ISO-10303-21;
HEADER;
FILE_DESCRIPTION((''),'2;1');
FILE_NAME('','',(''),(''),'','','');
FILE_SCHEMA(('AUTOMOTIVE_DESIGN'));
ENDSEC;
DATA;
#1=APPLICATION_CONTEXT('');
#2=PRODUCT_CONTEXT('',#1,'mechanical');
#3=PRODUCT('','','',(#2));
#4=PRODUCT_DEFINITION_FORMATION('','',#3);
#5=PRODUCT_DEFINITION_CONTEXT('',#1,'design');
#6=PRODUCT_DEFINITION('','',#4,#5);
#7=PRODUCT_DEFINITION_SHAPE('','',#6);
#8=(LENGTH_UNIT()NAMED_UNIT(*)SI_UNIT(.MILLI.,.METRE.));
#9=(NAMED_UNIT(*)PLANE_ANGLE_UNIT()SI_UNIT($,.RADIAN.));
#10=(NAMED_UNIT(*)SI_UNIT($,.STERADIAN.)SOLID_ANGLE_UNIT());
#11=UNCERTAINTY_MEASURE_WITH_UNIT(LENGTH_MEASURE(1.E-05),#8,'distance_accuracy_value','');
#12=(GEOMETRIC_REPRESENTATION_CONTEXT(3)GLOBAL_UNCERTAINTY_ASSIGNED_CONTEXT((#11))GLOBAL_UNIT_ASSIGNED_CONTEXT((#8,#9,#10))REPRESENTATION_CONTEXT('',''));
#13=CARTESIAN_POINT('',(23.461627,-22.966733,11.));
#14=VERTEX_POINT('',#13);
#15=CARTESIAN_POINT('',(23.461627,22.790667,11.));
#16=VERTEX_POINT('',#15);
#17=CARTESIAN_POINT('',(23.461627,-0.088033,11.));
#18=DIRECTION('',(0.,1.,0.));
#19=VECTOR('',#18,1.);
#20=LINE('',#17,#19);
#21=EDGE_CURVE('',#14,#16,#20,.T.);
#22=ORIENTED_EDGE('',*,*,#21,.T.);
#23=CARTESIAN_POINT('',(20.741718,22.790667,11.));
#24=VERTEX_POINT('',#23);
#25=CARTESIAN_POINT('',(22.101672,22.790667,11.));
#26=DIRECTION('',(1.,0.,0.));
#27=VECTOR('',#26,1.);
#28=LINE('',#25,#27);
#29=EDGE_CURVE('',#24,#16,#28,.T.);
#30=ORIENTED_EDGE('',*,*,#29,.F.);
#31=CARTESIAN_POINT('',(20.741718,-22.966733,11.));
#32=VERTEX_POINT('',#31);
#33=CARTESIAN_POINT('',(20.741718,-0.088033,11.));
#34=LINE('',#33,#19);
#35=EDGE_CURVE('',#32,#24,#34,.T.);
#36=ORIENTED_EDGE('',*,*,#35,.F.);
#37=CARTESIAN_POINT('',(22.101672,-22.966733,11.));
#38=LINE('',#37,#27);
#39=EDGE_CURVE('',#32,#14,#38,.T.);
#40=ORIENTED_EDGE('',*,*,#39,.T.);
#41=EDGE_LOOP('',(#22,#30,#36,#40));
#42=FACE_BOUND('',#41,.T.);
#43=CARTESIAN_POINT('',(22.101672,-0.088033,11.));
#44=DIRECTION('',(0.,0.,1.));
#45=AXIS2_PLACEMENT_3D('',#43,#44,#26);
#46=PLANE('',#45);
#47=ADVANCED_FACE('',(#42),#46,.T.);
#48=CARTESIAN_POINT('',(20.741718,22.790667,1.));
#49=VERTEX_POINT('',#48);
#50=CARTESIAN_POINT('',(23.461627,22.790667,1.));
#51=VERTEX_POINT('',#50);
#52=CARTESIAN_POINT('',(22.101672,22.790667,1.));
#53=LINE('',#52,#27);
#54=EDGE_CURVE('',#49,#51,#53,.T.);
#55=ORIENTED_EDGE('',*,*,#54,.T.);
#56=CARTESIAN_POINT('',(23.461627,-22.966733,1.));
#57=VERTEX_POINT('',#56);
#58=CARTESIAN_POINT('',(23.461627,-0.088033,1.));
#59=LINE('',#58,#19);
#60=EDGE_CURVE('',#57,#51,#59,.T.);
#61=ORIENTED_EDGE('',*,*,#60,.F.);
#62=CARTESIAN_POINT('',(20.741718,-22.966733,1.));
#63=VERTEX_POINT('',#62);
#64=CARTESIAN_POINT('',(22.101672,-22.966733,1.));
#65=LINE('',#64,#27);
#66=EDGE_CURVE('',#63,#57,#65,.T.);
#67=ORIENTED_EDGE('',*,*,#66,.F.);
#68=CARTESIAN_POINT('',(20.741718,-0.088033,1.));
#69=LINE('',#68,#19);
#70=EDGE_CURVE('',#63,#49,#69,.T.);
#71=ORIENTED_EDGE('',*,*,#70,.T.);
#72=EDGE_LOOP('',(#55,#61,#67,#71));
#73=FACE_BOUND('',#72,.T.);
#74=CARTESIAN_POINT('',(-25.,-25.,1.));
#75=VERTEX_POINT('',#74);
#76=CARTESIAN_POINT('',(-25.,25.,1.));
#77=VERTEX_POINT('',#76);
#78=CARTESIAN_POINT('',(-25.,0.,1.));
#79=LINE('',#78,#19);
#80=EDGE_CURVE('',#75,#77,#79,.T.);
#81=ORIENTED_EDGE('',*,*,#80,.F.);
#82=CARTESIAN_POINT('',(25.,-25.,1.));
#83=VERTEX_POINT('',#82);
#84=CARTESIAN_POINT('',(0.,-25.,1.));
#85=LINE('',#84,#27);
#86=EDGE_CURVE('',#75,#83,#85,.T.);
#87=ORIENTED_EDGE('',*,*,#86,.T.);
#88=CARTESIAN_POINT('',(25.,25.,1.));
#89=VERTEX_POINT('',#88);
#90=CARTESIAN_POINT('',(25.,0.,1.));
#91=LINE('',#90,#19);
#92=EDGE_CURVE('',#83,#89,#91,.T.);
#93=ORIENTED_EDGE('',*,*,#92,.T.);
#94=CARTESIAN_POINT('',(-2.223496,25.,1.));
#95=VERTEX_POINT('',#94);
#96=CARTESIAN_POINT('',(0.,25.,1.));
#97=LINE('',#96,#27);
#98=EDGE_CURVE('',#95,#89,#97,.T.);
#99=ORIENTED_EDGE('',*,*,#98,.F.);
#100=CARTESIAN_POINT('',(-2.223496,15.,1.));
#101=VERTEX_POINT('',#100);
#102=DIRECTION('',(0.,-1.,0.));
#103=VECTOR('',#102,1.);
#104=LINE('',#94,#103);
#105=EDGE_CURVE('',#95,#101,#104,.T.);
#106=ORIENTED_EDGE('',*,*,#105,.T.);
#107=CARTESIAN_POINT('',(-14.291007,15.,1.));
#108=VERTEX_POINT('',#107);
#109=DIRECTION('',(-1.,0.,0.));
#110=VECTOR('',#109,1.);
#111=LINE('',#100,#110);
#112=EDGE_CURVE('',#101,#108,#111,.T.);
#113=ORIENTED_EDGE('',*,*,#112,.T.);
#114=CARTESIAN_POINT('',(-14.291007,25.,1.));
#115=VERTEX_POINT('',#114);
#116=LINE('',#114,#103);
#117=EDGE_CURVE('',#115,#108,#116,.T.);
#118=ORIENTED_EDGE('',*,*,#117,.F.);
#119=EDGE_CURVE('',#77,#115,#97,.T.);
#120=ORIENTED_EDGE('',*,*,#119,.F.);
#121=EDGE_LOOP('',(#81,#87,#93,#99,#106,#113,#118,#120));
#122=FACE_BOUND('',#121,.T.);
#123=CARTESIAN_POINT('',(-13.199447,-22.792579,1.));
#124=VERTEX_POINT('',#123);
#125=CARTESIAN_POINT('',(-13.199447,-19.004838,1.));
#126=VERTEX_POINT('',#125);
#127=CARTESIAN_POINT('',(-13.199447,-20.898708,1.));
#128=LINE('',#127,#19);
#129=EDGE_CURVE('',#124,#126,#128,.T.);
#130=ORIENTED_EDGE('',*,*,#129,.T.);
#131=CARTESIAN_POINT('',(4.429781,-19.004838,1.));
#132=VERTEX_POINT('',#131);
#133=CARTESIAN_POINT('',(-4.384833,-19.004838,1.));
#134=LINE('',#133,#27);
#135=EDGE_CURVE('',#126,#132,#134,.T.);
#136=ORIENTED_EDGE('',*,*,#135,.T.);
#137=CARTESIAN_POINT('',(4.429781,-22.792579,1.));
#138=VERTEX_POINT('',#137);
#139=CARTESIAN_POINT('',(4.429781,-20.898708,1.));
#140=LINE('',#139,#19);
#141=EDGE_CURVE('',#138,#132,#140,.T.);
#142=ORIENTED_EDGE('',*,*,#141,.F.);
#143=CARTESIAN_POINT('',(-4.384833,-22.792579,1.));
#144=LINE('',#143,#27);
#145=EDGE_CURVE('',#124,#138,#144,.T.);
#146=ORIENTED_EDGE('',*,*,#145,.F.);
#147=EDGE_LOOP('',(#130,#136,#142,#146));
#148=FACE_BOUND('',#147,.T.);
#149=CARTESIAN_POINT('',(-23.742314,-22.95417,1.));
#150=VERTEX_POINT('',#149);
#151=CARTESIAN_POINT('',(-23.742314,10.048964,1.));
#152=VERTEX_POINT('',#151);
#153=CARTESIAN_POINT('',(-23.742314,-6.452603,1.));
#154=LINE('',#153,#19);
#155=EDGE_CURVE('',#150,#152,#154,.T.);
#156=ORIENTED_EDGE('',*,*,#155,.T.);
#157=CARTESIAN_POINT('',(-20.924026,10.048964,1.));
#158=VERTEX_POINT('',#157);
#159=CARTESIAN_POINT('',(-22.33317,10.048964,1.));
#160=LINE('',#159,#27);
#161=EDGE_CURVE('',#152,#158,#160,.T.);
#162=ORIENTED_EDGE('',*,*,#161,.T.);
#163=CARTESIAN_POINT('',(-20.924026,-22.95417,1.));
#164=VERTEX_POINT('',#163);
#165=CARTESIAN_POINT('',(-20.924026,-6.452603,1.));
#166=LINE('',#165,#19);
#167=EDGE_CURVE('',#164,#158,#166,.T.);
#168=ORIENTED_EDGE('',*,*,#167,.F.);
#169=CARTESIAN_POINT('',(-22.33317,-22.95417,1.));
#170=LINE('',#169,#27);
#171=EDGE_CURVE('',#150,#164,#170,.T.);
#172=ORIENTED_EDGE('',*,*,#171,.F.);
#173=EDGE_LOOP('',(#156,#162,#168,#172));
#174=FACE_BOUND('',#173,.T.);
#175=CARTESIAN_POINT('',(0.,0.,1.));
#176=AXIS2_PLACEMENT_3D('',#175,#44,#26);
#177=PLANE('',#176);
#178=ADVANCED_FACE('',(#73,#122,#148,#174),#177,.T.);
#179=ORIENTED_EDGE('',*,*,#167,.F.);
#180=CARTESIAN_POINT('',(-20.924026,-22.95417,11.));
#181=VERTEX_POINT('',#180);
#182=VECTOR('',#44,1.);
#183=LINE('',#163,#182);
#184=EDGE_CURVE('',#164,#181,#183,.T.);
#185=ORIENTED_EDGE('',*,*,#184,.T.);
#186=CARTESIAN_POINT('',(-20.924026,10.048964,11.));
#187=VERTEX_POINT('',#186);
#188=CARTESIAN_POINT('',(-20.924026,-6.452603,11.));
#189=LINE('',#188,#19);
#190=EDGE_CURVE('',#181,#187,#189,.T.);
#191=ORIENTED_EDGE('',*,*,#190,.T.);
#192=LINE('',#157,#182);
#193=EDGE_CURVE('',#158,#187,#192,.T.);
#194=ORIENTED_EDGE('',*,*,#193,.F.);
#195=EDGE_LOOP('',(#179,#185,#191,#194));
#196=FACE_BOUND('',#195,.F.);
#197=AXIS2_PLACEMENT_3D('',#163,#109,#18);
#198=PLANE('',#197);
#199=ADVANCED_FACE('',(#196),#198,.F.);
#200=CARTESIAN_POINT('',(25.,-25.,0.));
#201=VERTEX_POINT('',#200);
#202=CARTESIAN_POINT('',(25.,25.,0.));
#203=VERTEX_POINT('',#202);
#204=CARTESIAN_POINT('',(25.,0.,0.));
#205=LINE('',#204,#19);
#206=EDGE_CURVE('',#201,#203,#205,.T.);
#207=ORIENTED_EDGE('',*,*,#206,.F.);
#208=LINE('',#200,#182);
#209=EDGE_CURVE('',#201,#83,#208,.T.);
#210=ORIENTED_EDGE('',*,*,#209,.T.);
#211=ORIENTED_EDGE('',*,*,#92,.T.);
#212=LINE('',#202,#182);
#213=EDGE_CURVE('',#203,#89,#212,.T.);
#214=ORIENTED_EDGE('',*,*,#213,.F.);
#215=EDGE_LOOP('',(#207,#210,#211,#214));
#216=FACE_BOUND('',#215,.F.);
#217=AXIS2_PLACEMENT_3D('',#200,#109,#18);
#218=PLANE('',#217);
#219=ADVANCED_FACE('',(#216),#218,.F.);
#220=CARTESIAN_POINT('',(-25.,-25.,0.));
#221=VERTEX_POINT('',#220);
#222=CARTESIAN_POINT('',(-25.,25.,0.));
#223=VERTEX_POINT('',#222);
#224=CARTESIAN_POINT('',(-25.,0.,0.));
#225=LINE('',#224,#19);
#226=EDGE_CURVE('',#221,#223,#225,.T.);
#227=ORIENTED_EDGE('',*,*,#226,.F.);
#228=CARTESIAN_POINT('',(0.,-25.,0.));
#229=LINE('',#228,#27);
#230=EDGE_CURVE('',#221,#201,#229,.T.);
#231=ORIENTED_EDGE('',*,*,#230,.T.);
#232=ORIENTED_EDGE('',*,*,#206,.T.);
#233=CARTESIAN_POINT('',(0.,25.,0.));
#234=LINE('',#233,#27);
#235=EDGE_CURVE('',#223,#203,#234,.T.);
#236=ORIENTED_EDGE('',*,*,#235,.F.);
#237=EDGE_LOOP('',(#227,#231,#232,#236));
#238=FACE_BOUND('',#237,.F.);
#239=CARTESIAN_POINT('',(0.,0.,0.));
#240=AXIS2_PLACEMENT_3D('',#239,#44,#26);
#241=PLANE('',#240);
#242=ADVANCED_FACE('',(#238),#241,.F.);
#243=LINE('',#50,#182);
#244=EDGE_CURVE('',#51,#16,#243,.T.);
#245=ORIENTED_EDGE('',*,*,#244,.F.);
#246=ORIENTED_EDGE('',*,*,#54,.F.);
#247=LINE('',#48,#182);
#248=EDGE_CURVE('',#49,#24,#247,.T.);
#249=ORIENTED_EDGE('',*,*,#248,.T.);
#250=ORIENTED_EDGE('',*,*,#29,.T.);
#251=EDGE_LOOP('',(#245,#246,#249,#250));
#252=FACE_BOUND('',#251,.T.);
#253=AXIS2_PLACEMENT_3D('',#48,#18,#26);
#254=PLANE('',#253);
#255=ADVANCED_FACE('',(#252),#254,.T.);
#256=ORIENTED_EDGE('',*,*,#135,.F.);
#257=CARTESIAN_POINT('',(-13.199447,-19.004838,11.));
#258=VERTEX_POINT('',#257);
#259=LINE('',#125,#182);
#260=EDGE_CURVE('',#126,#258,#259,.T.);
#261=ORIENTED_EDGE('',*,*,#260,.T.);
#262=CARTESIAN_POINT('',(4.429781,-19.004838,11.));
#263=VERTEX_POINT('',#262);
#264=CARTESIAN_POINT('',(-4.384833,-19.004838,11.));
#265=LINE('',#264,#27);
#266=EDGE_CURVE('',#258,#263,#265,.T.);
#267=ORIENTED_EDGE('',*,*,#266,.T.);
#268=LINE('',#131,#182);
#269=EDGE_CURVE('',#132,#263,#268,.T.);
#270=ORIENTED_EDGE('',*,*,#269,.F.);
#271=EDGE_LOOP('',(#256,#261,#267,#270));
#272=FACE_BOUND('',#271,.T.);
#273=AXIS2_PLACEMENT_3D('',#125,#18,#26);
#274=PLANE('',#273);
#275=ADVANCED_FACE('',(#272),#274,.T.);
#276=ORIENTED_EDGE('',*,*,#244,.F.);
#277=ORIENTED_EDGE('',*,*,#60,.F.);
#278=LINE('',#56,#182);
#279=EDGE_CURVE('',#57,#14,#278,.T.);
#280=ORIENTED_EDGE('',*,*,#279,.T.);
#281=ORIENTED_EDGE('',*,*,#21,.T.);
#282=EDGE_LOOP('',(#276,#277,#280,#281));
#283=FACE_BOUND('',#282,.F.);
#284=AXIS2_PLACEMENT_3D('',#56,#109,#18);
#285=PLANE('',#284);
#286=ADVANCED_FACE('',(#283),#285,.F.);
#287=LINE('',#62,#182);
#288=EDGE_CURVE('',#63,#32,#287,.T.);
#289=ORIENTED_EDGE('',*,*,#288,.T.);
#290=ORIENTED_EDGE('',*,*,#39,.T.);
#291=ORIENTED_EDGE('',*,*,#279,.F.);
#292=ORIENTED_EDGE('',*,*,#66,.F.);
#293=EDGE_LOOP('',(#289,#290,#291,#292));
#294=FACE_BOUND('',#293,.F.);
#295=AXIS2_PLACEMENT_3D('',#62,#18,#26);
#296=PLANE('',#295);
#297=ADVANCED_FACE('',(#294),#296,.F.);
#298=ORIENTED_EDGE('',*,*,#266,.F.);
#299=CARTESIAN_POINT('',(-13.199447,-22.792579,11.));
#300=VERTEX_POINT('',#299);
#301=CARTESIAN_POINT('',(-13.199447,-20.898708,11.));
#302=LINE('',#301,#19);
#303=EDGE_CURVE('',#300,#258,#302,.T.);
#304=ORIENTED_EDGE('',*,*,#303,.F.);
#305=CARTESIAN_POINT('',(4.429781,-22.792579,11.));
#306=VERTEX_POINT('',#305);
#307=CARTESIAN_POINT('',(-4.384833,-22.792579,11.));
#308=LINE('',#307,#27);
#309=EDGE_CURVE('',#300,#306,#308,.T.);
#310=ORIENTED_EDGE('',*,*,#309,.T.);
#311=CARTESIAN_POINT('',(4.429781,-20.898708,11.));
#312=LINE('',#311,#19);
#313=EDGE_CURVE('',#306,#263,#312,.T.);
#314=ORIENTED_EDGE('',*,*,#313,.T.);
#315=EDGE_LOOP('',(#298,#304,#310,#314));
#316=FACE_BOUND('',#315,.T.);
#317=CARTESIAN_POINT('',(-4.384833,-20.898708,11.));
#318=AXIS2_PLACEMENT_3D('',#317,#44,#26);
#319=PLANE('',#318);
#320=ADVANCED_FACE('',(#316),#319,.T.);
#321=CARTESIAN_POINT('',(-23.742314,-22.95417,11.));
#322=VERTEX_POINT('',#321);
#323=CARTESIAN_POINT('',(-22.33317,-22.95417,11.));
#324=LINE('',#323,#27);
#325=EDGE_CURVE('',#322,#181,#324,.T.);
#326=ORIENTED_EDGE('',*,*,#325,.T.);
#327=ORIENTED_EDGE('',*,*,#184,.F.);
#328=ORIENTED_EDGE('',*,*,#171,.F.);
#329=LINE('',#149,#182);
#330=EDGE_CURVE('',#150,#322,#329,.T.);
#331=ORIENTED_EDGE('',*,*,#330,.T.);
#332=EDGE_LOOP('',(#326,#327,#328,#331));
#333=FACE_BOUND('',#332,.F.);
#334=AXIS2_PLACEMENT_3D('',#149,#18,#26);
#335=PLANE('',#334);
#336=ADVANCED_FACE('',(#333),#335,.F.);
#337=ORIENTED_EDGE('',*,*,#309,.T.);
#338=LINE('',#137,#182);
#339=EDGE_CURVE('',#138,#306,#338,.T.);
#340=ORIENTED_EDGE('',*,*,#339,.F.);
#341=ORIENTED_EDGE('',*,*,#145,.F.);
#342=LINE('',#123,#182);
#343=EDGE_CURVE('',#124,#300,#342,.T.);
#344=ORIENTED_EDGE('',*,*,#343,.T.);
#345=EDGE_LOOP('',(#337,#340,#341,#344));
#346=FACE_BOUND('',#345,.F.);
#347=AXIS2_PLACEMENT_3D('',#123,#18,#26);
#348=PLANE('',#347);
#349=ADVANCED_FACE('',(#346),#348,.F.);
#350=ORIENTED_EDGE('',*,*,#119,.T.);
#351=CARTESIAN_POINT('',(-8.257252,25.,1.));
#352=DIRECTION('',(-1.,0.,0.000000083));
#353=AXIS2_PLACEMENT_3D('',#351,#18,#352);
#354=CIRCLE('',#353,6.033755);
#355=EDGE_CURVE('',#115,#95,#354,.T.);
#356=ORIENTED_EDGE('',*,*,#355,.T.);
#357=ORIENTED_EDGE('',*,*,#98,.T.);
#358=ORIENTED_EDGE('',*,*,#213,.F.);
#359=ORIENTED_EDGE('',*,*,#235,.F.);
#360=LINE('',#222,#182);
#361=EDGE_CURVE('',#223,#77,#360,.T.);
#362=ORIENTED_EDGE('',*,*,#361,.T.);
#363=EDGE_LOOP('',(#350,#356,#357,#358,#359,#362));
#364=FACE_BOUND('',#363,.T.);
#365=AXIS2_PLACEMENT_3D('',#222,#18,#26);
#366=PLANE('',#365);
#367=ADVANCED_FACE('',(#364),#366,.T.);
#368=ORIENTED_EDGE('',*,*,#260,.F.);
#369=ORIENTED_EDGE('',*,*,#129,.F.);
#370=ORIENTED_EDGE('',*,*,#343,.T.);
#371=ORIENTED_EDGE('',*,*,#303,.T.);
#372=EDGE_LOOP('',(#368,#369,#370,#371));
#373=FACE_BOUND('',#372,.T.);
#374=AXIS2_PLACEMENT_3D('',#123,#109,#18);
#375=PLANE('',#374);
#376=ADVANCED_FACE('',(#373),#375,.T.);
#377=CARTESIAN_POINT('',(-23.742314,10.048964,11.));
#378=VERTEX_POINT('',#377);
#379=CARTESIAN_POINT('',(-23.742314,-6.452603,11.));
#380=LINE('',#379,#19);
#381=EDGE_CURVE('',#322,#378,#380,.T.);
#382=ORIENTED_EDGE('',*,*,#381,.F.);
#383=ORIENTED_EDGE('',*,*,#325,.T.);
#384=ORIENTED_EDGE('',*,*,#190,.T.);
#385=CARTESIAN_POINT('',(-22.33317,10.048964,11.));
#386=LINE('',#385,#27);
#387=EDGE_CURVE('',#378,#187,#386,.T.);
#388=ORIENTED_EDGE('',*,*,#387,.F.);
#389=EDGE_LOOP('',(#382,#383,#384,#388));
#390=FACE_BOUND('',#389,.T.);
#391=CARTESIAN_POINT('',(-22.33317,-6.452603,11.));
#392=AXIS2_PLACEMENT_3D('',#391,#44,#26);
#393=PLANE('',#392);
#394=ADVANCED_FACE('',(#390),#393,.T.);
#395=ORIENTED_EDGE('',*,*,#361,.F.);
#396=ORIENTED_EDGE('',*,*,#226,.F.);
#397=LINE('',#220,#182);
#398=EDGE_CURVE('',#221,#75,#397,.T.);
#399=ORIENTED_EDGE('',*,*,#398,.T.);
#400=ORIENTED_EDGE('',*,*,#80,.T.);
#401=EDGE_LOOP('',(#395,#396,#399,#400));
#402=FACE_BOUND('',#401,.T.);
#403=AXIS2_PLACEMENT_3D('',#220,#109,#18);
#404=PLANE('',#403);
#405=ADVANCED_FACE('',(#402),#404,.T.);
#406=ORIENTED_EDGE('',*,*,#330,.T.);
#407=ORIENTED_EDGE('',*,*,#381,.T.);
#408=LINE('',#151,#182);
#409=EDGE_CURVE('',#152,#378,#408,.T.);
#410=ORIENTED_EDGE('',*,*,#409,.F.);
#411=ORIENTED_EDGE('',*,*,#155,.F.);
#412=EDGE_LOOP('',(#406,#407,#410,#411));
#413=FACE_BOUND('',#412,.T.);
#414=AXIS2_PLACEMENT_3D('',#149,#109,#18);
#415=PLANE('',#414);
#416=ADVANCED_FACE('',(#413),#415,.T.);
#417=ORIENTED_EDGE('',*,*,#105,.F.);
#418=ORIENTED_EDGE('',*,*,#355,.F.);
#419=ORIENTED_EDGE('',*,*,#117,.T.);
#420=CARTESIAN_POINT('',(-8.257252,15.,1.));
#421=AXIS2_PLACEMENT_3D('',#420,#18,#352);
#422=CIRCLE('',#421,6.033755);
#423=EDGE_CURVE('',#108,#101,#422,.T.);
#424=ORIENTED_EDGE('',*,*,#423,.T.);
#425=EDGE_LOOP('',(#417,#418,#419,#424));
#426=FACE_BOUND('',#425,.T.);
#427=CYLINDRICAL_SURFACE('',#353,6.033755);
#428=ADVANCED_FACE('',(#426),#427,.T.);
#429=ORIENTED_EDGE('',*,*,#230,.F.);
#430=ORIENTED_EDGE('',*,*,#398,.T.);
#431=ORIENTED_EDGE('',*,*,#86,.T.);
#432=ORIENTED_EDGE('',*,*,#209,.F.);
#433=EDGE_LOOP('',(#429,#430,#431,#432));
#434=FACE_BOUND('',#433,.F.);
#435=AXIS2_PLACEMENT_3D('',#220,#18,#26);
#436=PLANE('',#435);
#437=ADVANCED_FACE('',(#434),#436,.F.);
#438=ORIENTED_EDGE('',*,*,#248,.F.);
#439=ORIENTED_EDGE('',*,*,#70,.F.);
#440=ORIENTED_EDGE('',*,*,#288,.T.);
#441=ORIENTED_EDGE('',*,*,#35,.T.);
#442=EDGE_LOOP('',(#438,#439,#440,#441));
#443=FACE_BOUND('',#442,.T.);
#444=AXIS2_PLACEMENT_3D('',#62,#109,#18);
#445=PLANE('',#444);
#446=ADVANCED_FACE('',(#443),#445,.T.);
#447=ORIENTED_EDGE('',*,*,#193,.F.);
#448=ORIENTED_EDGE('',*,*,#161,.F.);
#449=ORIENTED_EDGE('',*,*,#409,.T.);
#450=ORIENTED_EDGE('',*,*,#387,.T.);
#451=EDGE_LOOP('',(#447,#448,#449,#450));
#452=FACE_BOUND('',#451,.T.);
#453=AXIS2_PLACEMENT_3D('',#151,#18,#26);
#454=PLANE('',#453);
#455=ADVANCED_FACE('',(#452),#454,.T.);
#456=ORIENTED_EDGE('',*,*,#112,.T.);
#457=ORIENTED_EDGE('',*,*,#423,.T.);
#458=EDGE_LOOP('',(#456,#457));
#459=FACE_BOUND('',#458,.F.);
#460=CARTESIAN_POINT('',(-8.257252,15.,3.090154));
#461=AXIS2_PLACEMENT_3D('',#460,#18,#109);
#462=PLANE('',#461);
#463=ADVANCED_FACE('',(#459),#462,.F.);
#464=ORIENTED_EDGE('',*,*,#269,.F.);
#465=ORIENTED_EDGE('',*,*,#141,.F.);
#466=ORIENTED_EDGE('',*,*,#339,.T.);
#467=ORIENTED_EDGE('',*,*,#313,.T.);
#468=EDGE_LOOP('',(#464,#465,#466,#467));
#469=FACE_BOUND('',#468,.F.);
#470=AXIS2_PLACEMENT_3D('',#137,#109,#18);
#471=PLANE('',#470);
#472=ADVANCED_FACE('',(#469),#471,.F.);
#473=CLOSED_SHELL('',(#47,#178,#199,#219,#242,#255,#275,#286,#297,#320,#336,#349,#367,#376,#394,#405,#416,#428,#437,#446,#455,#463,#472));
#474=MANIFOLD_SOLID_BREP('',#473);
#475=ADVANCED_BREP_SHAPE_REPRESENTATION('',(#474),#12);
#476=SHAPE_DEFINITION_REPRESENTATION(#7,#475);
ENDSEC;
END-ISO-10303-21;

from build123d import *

# Parameters (mm, degrees)
F0_W     = 50
F0_H     = 50
F1_DEPTH = 1
F2_W     = 2.719909
F2_H     = 45.7574
F3_DEPTH = 10
F4_W     = 2.818288
F4_H     = 33.003134
F5_DEPTH = 10
F6_W     = 17.629229
F6_H     = 3.787741
F7_DEPTH = 10
F9_DEPTH = 10


with BuildPart() as f1:
    # F0 (on Top) → F1 (new body)
    with BuildSketch(Plane.XY):
        Rectangle(F0_W, F0_H)
    extrude(amount=F1_DEPTH)

    # F2 (on face) → F3 (join)
    with BuildSketch(Plane.XY.offset(1)):
        with Locations((22.101672, -0.088033)):
            Rectangle(F2_W, F2_H)
    extrude(amount=F3_DEPTH)

    # F4 (on face) → F5 (join)
    with BuildSketch(Plane.XY.offset(1)):
        with Locations((-22.33317, -6.452603)):
            Rectangle(F4_W, F4_H)
    extrude(amount=F5_DEPTH)

    # F6 (on face) → F7 (join)
    with BuildSketch(Plane.XY.offset(1)):
        with Locations((-4.384833, -20.898708)):
            Rectangle(F6_W, F6_H)
    extrude(amount=F7_DEPTH)

    # F8 (on face) → F9 (join)
    with BuildSketch(Plane(origin=(0, 25, 0), x_dir=(-1, 0, 0), z_dir=(0, 1, 0))):
        with BuildLine():
            Line((2.223496, 1), (14.291007, 1))
            ThreePointArc((14.291007, 1), (8.257251, 7.033755), (2.223496, 1))
        make_face()
    extrude(amount=-F9_DEPTH)


solid = f1.part
